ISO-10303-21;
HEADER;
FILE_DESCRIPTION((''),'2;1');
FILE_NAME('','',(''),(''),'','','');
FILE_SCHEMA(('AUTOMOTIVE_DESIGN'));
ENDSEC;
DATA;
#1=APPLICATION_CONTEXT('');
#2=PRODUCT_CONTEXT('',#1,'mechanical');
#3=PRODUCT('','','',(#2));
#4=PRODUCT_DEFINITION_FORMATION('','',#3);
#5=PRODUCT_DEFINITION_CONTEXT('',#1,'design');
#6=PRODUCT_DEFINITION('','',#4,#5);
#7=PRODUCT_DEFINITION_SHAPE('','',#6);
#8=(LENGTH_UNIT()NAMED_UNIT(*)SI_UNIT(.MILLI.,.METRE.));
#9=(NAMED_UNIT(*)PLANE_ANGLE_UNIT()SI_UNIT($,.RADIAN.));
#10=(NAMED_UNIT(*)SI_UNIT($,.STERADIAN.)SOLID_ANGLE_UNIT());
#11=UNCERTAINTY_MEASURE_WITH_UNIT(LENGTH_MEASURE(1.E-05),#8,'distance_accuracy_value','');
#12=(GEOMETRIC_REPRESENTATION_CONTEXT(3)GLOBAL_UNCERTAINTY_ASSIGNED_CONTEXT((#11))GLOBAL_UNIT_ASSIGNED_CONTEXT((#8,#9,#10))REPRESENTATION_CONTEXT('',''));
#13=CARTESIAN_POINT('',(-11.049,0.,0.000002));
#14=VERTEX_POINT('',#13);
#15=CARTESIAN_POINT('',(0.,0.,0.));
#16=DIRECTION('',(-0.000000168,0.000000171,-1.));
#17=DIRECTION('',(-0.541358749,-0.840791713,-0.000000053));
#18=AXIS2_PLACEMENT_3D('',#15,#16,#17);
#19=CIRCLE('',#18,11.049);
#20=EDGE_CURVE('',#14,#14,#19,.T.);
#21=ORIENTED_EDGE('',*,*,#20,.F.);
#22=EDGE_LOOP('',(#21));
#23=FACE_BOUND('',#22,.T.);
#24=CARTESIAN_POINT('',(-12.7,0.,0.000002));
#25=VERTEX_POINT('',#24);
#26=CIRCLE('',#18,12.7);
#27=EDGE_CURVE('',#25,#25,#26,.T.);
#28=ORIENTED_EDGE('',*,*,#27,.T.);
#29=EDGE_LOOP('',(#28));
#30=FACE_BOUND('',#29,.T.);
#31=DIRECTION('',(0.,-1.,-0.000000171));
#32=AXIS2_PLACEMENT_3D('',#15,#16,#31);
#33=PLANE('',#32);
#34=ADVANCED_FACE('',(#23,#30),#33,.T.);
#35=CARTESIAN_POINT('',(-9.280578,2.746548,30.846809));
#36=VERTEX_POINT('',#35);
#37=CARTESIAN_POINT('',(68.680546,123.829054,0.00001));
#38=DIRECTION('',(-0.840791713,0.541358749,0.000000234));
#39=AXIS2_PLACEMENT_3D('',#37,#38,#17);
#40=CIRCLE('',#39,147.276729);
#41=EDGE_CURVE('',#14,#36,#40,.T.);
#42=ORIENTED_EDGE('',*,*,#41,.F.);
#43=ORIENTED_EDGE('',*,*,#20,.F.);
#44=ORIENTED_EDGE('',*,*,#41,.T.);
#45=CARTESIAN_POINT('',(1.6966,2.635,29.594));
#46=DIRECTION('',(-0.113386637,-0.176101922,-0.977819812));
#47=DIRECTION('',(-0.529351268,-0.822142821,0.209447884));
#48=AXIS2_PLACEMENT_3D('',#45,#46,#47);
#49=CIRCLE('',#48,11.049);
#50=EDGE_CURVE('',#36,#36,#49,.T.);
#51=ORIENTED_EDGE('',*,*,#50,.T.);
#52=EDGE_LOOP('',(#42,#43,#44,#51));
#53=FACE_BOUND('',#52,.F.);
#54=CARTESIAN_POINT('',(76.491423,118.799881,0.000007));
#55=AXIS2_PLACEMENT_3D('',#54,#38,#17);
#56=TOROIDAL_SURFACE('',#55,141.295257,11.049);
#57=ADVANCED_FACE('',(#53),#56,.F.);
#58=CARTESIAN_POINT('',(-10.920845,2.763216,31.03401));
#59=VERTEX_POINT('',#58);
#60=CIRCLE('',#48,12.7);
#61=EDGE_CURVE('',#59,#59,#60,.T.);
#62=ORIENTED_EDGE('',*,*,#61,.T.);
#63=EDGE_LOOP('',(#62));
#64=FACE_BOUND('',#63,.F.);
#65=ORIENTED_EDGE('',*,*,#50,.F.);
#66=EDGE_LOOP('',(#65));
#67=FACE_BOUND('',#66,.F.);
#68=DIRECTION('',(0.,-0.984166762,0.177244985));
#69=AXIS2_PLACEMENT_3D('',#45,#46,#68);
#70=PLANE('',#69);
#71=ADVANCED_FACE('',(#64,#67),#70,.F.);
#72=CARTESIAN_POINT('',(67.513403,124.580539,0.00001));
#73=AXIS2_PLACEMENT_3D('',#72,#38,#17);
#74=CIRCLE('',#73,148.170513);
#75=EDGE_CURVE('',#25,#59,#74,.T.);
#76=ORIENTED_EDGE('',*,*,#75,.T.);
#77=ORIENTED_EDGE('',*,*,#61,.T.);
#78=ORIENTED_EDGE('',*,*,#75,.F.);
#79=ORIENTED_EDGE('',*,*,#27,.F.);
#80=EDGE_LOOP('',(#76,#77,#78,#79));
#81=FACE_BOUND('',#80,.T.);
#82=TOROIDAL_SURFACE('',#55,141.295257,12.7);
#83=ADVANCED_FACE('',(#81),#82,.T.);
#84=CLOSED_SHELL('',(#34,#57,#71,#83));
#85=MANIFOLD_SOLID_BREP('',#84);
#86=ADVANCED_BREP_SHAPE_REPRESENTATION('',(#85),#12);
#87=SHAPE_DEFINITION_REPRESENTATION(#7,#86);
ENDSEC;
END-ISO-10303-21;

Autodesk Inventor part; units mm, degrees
sketch "Sketch" plane through (0, 0, 0) normal (0, 0, -1) x (-1, 0, 0)
  circle A0 centre (0, 0) radius 12.7
  circle A1 centre (0, 0) radius 11.049
  dimension "d0" = 25.4
  dimension "d1" = 1.651
ref_plane "Start Plane" through (0, 0, 0) normal (1, 0, 0) x (0, 1, 0)
ref_plane "End Plane" through (29.8148, 0, 0) normal (1, 0, 0) x (0, 1, 0)
sketch "Sketch2" plane through (0, 0, 0) normal (1, 0, 0) x (0, 1, 0)
  line L0 (0, 0) -> (10, 0)
ref_plane "Work Plane3" through (0, 0, 0) normal (0, 0, -1) x (0, 1, 0)
sketch "Sketch3" plane through (0, 0, 0) normal (0, 0, -1) x (0, 1, 0)
  line L0 (-2, 0) -> (12, 0)
  line L1 (-18.2673, 29.8148) -> (20.7038, 29.8148)
  dimension "d9" = 29.8148
ref_plane "Orientation Work Plane" through (0, 0, 0) normal (0, 0, -1) x (-1, 0, 0)
sketch3d "Sweep Path"
  arc A0 (0, 0, 0) -> (1.6966, 2.635, 29.594) centre (76.4915, 118.8, 0) ccw
sweep "Body" add profiles "Sketch" path "Sweep Path"
equation "\"G_OFFSET_START\" = 0"
equation "\"G_OFFSET_END\" = 0"
equation "\"d5\" = d2 + G_OFFSET_END"
equation "\"G_L\" = d9"
equation "\"d2\" = 29.814793"
properties part number "4130_1x0.065" material "Steel, Alloy"
